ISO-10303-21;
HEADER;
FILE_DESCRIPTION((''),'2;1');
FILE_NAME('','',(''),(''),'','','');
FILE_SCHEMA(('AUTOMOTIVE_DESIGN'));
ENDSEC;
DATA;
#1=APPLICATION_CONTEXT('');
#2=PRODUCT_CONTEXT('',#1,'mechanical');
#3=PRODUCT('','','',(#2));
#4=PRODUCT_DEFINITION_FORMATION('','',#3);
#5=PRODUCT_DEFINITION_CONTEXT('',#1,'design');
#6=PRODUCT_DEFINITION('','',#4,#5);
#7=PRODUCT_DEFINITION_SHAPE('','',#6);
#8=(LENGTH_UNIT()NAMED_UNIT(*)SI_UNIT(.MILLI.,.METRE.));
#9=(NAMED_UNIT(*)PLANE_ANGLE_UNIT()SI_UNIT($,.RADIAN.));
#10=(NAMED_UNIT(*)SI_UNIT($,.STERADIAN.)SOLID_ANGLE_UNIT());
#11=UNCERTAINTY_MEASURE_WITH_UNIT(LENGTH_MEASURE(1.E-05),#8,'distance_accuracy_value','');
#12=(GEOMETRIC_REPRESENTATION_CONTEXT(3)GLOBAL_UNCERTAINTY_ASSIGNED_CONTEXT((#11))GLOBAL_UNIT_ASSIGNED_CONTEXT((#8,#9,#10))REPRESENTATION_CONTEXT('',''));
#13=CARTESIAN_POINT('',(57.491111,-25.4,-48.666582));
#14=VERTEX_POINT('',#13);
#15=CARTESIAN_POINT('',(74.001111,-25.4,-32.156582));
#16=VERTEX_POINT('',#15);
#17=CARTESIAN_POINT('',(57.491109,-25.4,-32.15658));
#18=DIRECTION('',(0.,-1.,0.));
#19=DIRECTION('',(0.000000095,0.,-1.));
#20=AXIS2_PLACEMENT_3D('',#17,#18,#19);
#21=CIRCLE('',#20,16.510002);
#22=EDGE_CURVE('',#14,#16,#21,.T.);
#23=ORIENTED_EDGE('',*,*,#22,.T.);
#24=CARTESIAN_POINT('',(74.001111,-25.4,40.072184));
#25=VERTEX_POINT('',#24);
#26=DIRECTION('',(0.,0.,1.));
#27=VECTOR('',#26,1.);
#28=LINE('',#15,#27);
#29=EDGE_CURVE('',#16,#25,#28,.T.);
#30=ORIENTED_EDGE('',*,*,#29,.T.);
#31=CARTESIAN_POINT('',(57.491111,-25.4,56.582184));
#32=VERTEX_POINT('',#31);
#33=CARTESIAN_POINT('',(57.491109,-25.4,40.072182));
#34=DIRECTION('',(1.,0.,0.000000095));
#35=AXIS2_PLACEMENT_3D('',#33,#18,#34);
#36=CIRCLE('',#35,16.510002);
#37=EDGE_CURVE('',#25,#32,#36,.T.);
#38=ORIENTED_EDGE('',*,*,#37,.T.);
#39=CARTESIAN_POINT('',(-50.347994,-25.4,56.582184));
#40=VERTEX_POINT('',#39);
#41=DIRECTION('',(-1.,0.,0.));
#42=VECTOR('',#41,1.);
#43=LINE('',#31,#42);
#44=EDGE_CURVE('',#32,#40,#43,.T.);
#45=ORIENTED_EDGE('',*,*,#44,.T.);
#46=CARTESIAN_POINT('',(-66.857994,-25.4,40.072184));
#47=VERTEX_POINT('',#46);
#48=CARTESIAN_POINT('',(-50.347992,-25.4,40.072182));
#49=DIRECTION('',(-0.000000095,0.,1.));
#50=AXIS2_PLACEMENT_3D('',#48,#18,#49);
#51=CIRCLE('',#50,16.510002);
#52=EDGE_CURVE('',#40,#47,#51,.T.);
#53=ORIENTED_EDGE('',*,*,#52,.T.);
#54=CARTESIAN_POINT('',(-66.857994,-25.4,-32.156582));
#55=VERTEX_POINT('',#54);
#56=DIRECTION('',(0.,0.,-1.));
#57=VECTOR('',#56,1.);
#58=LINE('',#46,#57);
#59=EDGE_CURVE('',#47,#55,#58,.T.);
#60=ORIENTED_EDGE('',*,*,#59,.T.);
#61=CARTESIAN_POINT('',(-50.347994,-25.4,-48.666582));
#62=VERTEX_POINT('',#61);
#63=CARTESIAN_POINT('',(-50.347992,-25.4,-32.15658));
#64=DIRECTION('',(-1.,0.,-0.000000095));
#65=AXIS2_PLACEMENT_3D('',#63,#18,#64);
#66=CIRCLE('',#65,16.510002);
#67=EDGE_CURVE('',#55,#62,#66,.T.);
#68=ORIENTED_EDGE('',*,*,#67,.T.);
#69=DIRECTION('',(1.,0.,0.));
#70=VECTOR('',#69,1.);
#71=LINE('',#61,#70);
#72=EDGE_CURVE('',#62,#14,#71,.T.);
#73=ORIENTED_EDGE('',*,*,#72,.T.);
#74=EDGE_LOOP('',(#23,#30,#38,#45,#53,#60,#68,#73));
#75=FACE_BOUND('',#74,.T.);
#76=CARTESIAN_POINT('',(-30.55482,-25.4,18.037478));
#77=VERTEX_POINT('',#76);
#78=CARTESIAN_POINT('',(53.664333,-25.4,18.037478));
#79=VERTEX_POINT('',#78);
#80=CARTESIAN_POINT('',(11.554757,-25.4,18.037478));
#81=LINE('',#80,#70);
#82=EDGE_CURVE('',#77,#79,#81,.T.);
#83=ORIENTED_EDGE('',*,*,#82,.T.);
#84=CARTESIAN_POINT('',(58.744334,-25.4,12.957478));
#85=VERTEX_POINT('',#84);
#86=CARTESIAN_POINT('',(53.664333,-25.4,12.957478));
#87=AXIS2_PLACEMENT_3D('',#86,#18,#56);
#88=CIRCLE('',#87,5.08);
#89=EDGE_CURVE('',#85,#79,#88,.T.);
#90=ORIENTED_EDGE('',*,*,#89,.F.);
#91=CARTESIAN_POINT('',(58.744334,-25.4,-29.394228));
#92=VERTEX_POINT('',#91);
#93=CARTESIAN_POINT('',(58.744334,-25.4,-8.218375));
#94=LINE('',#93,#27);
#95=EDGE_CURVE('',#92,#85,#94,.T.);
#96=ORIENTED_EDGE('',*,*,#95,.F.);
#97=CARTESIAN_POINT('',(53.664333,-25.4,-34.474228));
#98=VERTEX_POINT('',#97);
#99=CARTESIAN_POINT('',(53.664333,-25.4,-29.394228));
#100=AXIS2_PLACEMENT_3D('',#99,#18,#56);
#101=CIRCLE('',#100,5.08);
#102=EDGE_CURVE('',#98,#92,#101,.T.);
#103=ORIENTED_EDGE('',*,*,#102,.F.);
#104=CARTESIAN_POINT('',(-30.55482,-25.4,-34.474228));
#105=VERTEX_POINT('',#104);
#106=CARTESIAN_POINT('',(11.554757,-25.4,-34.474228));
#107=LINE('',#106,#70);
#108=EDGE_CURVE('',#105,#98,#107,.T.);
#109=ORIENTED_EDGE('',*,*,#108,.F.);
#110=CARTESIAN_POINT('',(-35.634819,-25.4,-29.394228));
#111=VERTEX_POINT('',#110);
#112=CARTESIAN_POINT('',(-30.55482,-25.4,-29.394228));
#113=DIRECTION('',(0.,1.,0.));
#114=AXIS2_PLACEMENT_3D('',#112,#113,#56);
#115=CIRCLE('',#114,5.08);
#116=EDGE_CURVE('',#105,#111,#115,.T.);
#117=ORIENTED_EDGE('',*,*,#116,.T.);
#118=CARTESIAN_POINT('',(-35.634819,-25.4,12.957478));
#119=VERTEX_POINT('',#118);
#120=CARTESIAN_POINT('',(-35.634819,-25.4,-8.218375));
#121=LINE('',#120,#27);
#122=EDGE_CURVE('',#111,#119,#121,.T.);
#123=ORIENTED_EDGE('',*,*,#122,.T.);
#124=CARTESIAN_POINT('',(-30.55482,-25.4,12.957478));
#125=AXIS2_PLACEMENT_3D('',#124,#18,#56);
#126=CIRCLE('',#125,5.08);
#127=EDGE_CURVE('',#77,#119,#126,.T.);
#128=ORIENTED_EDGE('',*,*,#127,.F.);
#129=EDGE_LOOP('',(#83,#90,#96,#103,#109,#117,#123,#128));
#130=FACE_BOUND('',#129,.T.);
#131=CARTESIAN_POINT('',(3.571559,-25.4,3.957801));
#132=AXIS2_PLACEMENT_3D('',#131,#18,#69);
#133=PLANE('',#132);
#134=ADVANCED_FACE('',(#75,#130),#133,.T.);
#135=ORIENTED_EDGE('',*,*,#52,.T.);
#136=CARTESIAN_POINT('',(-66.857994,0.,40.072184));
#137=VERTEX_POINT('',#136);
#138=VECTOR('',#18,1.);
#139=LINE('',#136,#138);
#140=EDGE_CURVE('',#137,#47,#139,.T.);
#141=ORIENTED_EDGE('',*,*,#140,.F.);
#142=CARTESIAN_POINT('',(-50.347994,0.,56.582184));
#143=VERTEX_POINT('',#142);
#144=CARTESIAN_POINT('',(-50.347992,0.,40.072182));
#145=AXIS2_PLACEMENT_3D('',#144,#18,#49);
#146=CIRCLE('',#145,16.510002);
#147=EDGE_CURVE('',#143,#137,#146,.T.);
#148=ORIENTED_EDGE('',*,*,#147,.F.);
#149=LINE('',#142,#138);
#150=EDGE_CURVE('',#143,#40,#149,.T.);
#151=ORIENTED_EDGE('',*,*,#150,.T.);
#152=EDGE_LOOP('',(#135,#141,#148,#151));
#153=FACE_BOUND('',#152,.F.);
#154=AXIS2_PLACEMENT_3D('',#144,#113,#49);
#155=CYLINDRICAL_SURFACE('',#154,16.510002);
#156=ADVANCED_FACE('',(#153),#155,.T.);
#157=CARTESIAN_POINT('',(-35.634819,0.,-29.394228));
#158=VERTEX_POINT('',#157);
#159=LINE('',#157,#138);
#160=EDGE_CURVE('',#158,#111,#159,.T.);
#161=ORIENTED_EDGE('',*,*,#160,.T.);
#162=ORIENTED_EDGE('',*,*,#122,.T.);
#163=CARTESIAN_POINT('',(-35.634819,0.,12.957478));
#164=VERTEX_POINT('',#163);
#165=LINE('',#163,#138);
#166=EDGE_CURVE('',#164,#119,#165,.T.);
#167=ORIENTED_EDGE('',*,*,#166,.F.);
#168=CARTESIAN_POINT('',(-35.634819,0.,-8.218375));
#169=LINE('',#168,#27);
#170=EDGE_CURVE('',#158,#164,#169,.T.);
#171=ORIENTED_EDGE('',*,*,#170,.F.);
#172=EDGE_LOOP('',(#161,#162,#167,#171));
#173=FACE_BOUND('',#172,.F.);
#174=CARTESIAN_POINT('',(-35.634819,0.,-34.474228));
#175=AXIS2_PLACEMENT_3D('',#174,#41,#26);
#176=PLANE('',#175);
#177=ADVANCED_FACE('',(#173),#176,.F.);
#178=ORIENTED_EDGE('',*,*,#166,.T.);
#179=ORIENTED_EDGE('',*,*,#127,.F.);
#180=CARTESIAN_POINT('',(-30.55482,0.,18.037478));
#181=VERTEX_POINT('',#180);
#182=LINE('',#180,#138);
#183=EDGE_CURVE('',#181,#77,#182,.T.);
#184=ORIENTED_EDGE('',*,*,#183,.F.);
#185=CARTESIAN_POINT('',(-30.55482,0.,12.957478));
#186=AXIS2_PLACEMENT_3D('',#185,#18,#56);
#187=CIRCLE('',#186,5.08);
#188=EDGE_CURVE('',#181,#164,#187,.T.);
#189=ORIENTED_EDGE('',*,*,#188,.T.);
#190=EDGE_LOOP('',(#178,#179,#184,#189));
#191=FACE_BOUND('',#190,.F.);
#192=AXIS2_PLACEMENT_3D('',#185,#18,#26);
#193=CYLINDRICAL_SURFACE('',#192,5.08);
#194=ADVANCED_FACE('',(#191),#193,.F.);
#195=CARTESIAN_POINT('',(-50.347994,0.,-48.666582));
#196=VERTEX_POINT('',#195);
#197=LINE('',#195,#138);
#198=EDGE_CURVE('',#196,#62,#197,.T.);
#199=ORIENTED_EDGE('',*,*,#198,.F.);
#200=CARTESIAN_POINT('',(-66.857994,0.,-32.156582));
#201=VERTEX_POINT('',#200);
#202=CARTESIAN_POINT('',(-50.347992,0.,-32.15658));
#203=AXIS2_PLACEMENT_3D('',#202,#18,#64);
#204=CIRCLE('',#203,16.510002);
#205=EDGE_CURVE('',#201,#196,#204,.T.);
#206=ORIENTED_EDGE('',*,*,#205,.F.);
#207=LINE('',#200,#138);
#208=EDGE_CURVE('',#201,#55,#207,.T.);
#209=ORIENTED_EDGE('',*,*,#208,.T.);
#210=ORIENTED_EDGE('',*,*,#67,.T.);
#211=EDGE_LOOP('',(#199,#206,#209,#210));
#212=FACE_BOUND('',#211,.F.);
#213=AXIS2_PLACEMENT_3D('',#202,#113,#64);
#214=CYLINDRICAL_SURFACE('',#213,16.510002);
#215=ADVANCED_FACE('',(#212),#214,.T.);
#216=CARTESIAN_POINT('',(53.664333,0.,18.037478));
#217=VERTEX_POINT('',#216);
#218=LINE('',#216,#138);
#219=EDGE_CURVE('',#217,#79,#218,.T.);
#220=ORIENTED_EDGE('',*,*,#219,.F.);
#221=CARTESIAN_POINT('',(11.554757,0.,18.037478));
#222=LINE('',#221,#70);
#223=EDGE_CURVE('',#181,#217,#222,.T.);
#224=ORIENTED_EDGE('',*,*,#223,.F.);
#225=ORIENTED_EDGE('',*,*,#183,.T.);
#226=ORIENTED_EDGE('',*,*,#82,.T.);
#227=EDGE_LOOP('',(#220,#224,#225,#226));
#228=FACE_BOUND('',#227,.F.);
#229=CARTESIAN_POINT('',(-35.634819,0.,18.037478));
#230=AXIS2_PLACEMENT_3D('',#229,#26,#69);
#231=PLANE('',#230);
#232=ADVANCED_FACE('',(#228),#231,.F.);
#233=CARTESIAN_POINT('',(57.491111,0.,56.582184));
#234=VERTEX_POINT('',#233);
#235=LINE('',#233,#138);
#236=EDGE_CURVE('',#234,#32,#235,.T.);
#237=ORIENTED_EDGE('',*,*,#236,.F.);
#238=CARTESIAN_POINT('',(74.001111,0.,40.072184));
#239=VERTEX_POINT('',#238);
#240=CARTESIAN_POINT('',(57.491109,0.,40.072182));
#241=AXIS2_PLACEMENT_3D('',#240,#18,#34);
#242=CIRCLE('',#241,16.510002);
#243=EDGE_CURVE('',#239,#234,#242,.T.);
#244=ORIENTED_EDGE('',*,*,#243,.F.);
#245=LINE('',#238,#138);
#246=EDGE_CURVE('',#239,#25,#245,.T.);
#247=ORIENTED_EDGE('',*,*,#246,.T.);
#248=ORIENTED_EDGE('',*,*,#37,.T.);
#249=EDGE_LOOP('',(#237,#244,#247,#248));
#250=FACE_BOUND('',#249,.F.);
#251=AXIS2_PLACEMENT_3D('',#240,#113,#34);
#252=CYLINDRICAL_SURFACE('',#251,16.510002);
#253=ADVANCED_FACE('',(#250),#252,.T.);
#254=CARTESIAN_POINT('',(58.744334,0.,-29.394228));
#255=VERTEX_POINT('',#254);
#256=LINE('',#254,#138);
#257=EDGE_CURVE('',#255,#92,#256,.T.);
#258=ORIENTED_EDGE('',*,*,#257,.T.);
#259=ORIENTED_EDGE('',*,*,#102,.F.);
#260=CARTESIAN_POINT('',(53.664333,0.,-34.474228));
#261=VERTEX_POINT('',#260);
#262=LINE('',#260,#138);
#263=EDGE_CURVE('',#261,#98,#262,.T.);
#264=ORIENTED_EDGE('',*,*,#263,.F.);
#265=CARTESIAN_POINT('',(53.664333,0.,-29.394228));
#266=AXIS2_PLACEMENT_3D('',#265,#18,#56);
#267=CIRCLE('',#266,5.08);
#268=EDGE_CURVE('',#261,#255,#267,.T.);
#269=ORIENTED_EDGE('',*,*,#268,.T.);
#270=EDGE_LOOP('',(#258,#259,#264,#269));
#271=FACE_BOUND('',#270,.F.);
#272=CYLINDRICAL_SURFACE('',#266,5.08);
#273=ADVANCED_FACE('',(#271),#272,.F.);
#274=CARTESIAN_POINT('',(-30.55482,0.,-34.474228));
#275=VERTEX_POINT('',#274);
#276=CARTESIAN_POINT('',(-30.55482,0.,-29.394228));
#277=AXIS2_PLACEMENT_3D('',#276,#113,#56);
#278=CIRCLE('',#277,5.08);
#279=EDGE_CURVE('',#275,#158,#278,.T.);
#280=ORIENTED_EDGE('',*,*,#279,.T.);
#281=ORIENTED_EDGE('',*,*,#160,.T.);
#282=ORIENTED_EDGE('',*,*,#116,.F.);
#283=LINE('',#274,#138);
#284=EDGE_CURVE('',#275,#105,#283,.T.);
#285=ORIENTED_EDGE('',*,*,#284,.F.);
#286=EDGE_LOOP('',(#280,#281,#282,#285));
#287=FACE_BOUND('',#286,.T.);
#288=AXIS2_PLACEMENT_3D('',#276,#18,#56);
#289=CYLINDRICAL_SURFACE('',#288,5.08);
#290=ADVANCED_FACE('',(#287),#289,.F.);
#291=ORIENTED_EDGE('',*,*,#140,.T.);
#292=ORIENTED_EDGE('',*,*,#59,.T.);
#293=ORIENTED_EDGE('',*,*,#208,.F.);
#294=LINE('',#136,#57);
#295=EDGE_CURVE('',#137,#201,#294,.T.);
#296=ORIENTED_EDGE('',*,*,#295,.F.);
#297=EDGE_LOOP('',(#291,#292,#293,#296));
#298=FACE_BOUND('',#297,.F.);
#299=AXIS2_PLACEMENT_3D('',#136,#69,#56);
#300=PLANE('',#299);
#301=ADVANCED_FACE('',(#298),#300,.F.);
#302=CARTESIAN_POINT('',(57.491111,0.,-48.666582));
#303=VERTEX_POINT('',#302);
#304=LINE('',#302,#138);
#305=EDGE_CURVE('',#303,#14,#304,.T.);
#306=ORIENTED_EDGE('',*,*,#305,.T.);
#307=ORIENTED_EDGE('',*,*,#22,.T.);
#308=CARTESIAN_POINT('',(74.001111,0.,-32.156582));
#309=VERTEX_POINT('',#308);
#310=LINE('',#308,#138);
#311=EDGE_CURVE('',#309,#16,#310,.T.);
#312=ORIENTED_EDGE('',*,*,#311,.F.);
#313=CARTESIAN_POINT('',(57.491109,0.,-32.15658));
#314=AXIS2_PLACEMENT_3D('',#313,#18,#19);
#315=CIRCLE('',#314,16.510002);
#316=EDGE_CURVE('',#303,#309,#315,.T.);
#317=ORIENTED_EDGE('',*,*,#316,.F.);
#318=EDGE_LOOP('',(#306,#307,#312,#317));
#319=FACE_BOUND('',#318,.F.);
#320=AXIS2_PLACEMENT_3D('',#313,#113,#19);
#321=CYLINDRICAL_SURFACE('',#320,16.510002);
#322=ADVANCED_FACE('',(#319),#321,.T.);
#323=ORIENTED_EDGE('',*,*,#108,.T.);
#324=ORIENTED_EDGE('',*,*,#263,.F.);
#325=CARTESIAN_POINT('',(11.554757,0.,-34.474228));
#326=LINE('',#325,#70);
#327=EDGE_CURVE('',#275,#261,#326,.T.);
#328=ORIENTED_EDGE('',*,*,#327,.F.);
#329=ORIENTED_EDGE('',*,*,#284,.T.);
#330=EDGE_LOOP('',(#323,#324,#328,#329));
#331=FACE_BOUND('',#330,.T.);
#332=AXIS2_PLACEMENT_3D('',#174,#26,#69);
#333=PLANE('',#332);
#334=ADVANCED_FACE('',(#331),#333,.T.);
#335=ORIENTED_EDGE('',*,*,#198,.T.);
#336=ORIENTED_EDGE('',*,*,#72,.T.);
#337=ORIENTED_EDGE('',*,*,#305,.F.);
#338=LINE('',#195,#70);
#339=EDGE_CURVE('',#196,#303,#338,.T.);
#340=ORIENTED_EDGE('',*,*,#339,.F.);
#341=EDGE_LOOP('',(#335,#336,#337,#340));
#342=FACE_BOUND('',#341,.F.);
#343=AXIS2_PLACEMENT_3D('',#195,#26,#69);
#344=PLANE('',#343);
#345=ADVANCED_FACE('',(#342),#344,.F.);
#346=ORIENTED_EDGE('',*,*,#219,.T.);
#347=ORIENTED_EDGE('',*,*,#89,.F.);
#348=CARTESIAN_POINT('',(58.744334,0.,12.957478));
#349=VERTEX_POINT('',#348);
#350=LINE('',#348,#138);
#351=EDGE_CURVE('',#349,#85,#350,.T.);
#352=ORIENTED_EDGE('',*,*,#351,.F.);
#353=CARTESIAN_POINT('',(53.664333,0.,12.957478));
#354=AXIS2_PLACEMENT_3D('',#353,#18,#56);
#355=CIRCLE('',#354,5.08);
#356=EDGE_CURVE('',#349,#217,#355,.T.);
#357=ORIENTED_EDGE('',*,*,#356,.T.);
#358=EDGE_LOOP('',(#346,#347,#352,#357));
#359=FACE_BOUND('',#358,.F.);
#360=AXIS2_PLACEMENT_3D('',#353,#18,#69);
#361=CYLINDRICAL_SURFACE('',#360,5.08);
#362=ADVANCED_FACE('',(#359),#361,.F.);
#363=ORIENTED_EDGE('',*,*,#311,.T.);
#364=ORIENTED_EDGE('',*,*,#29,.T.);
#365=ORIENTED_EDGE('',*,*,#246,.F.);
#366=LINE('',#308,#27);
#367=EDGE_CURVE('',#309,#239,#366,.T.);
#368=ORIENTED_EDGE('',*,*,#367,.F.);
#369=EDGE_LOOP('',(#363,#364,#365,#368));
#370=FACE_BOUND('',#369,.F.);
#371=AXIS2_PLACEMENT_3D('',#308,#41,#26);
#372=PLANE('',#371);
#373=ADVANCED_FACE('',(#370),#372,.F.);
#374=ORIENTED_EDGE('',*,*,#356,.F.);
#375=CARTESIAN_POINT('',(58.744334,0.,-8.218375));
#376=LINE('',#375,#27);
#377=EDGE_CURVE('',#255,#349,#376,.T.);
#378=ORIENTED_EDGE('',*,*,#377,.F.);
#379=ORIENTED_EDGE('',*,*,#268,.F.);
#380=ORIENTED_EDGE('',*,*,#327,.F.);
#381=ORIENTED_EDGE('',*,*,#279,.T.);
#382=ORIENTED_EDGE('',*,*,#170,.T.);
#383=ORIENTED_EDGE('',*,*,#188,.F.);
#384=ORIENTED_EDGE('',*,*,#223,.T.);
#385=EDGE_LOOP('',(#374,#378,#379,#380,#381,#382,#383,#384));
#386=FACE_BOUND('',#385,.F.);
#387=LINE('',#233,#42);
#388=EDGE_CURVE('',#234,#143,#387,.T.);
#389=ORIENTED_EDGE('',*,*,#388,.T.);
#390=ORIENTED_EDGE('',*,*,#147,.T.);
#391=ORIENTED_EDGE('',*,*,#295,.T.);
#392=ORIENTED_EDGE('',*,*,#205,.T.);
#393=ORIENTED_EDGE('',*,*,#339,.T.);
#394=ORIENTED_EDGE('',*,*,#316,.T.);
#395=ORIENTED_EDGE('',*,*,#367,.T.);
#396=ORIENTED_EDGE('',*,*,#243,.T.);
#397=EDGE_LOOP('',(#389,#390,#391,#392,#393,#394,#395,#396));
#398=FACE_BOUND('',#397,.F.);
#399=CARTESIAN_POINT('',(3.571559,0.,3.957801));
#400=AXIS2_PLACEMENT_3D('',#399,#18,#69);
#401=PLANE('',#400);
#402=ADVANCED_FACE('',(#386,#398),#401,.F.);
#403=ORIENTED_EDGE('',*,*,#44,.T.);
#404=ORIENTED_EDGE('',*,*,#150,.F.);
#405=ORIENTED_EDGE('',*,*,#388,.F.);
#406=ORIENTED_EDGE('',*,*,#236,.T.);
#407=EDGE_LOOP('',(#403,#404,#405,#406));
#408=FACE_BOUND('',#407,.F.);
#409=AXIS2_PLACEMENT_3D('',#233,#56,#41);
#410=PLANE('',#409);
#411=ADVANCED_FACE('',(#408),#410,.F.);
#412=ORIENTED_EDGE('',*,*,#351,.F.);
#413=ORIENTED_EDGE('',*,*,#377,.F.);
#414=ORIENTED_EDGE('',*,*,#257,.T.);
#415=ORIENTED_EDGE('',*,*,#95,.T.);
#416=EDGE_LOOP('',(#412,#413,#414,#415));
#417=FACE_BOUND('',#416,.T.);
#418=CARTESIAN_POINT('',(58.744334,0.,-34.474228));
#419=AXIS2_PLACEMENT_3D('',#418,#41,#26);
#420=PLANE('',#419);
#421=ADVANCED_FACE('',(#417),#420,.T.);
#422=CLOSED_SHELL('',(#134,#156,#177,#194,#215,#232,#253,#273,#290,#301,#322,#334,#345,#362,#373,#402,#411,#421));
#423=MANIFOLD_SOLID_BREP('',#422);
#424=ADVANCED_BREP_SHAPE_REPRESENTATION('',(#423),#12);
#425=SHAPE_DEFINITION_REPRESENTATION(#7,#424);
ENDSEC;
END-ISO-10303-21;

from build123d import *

# Parameters (mm, degrees)
F0_W     = 94.379153
F0_H     = 52.511706
F1_DEPTH = 25.4
F2_R     = 5.08


with BuildPart() as f1:
    # F0 (on Front) → F1 (new body)
    with BuildSketch(Plane.XZ):
        with BuildLine():
            Line((57.491111, 56.582184), (-50.347994, 56.582184))
            ThreePointArc((-50.347994, 56.582184), (-62.022327, 51.746516), (-66.857994, 40.072184))
            Line((-66.857994, 40.072184), (-66.857994, -32.156582))
            ThreePointArc((-66.857994, -32.156582), (-62.022327, -43.830914), (-50.347994, -48.666582))
            Line((-50.347994, -48.666582), (57.491111, -48.666582))
            ThreePointArc((57.491111, -48.666582), (69.165444, -43.830914), (74.001111, -32.156582))
            Line((74.001111, -32.156582), (74.001111, 40.072184))
            ThreePointArc((74.001111, 40.072184), (69.165444, 51.746516), (57.491111, 56.582184))
        make_face()
        with Locations((11.554757, -8.218375)):
            Rectangle(F0_W, F0_H, mode=Mode.SUBTRACT)
    extrude(amount=F1_DEPTH)

    # F2
    f2_edges = [f1.edges().sort_by_distance(p)[0] for p in [
        (-35.634819, -12.7, 18.037478),
        (58.744334, -12.7, 18.037478),
        (58.744334, -12.7, -34.474228),
        (-35.634819, -12.7, -34.474228),
    ]]
    fillet(f2_edges, radius=F2_R)


solid = f1.part
